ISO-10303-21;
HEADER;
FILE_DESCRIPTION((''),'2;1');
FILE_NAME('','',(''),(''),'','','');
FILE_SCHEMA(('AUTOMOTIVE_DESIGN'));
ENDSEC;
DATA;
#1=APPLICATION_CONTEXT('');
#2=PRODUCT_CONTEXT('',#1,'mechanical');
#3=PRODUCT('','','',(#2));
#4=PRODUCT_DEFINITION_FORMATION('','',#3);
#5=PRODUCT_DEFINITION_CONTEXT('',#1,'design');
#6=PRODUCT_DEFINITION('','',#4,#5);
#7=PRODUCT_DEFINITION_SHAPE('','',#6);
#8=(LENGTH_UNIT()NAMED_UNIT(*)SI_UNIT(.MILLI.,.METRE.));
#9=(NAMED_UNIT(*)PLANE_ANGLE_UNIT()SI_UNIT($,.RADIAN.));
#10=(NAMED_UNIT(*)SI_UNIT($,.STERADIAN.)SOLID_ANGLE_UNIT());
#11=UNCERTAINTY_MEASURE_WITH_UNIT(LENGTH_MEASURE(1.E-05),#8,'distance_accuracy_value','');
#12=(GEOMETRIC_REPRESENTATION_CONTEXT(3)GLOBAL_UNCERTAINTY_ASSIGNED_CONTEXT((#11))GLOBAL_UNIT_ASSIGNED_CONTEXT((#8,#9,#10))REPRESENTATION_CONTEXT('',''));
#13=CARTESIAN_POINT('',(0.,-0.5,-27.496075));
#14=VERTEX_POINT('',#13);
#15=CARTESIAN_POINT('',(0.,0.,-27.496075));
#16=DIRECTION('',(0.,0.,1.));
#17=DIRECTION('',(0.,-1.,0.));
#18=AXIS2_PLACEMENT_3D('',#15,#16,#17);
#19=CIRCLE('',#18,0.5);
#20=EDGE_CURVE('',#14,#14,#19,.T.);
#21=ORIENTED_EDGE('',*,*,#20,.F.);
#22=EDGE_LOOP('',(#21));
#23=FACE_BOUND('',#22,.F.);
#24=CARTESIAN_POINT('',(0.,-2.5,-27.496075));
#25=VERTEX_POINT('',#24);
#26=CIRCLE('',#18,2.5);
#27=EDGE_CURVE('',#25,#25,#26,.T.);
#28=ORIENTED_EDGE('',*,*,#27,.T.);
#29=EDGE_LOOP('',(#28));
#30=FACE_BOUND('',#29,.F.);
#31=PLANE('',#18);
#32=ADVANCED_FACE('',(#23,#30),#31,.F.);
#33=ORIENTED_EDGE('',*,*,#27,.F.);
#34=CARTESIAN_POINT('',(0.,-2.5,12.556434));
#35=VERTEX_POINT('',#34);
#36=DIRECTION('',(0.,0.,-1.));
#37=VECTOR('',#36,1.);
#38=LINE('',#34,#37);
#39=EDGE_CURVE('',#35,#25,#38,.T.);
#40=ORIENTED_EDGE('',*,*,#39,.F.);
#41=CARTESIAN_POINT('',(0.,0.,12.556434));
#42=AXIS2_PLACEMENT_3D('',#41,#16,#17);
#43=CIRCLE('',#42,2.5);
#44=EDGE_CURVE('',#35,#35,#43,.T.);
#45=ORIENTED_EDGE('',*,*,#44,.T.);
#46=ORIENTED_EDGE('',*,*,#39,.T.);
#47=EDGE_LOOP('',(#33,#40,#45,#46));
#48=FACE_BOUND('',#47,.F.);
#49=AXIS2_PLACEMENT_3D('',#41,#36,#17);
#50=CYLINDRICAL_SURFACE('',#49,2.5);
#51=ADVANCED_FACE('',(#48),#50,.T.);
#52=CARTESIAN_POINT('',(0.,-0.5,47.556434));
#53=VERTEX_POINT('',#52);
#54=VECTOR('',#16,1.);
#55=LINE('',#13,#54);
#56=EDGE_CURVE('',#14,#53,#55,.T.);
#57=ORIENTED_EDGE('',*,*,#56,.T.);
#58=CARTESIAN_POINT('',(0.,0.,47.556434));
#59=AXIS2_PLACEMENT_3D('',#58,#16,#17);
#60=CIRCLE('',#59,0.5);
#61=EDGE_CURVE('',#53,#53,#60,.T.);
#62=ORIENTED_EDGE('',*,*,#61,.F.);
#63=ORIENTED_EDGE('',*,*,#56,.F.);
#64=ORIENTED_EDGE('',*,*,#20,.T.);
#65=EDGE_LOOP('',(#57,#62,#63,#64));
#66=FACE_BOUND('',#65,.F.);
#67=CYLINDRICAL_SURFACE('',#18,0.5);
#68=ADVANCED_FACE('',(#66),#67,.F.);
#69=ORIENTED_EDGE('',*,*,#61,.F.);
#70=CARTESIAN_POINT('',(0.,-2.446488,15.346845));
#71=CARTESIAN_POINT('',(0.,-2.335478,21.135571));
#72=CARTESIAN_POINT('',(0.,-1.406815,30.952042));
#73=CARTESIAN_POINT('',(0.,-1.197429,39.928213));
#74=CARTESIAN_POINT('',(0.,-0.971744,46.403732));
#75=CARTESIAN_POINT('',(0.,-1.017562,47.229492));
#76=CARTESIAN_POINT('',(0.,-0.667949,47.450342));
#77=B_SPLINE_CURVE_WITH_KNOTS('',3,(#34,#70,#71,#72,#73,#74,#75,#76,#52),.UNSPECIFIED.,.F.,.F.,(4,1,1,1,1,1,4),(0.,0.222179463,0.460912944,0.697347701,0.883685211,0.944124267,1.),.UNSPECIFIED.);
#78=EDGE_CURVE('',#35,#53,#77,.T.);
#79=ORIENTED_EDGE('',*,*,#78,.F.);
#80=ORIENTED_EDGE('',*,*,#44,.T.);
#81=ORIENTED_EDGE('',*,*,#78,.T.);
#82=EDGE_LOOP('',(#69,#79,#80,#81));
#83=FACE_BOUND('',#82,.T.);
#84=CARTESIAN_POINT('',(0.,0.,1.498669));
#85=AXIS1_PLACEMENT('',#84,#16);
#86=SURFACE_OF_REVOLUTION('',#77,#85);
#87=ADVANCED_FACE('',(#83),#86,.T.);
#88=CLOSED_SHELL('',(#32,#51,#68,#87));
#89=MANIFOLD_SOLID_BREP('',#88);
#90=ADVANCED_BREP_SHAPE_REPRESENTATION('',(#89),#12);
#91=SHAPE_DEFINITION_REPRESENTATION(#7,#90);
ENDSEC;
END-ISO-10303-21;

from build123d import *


with BuildPart() as f1:
    # F0 (on Right) → F1 (revolve)
    with BuildSketch(Plane.YZ):
        with BuildLine():
            add(Edge.make_bspline(
                [(-2.5, 12.5564343008), (-2.4464881876, 15.3468445423), (-2.335477536, 21.135571284), (-1.406815036, 30.9520416562), (-1.1974293621, 39.9282131899), (-0.9717442989, 46.4037324279), (-1.0175623357, 47.2294922478), (-0.6679487035, 47.4503417779), (-0.5, 47.5564343008)],
                knots=[0, 0, 0, 0, 0.2221794632, 0.4609129443, 0.6973477006, 0.8836852112, 0.944124267, 1, 1, 1, 1], degree=3))
            Line((-2.5, 12.5564343008), (-2.5, 0))
            Line((-2.5, 0), (-2.5, -27.4960752577))
            Line((-2.5, -27.4960752577), (-0.5, -27.4960752577))
            Line((-0.5, -27.4960752577), (-0.5, 0))
            Line((-0.5, 0), (-0.5, 47.5564343008))
        make_face()
    revolve(axis=Axis((0, 0, 1.4986693568), (0, 0, 1)))


solid = f1.part
